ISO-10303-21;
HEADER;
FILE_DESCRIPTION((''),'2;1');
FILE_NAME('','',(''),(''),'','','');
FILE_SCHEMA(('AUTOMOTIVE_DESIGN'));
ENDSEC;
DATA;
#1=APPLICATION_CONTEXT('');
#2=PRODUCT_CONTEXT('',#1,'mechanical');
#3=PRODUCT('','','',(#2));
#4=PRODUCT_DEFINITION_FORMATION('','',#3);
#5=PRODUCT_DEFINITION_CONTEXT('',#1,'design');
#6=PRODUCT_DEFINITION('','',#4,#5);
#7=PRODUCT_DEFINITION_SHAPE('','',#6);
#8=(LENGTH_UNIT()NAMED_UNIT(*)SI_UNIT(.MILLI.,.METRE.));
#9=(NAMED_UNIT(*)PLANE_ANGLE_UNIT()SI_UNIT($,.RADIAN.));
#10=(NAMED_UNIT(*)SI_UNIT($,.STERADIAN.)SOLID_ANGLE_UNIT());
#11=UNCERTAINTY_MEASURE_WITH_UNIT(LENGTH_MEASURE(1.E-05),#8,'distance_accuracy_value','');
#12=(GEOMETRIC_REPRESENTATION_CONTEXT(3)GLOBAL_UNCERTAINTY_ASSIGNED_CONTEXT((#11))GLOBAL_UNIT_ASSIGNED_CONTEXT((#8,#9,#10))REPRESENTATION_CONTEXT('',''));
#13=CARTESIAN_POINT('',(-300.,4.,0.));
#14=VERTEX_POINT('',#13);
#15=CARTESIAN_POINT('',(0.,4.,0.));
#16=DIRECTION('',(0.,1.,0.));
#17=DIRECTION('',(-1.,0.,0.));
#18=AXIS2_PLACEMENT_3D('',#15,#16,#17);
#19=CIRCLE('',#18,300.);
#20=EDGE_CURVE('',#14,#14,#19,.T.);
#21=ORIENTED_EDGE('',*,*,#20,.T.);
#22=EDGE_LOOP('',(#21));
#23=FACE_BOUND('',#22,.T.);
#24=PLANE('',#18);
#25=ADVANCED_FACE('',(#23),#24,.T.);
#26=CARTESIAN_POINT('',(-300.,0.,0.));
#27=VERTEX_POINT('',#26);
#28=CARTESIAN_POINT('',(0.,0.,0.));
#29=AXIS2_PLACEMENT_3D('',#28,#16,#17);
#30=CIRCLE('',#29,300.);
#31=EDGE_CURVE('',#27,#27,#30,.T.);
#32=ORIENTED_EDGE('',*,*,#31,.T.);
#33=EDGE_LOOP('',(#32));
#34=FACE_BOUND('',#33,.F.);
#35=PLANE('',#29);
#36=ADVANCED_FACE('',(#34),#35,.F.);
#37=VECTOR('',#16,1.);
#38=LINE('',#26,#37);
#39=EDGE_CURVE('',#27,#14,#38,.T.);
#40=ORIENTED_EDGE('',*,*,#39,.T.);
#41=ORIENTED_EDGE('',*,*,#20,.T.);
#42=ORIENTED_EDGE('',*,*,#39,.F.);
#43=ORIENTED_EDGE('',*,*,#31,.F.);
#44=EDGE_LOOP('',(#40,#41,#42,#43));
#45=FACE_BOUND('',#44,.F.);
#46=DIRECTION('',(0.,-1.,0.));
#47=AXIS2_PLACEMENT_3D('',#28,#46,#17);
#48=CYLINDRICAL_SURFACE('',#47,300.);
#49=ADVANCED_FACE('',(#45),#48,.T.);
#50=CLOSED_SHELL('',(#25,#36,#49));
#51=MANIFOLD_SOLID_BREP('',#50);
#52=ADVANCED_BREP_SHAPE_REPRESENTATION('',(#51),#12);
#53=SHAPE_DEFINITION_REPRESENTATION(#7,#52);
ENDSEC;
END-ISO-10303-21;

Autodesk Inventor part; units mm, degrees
ref_plane "YZ Plane" through (0, 0, 0) normal (1, 0, 0) x (0, 1, 0)
ref_plane "XZ Plane" through (0, 0, 0) normal (0, 1, 0) x (-1, 0, 0)
ref_plane "XY Plane" through (0, 0, 0) normal (0, 0, 1) x (1, 0, 0)
sketch "Sketch1" plane through (0, 0, 0) normal (0, 1, 0) x (-1, 0, 0)
  circle A0 centre (0, 0) radius 300
  dimension "d0" = 600
extrude "Extrusion1" add sketch "Sketch1" along normal blind 4
properties part number "Juring Full"
